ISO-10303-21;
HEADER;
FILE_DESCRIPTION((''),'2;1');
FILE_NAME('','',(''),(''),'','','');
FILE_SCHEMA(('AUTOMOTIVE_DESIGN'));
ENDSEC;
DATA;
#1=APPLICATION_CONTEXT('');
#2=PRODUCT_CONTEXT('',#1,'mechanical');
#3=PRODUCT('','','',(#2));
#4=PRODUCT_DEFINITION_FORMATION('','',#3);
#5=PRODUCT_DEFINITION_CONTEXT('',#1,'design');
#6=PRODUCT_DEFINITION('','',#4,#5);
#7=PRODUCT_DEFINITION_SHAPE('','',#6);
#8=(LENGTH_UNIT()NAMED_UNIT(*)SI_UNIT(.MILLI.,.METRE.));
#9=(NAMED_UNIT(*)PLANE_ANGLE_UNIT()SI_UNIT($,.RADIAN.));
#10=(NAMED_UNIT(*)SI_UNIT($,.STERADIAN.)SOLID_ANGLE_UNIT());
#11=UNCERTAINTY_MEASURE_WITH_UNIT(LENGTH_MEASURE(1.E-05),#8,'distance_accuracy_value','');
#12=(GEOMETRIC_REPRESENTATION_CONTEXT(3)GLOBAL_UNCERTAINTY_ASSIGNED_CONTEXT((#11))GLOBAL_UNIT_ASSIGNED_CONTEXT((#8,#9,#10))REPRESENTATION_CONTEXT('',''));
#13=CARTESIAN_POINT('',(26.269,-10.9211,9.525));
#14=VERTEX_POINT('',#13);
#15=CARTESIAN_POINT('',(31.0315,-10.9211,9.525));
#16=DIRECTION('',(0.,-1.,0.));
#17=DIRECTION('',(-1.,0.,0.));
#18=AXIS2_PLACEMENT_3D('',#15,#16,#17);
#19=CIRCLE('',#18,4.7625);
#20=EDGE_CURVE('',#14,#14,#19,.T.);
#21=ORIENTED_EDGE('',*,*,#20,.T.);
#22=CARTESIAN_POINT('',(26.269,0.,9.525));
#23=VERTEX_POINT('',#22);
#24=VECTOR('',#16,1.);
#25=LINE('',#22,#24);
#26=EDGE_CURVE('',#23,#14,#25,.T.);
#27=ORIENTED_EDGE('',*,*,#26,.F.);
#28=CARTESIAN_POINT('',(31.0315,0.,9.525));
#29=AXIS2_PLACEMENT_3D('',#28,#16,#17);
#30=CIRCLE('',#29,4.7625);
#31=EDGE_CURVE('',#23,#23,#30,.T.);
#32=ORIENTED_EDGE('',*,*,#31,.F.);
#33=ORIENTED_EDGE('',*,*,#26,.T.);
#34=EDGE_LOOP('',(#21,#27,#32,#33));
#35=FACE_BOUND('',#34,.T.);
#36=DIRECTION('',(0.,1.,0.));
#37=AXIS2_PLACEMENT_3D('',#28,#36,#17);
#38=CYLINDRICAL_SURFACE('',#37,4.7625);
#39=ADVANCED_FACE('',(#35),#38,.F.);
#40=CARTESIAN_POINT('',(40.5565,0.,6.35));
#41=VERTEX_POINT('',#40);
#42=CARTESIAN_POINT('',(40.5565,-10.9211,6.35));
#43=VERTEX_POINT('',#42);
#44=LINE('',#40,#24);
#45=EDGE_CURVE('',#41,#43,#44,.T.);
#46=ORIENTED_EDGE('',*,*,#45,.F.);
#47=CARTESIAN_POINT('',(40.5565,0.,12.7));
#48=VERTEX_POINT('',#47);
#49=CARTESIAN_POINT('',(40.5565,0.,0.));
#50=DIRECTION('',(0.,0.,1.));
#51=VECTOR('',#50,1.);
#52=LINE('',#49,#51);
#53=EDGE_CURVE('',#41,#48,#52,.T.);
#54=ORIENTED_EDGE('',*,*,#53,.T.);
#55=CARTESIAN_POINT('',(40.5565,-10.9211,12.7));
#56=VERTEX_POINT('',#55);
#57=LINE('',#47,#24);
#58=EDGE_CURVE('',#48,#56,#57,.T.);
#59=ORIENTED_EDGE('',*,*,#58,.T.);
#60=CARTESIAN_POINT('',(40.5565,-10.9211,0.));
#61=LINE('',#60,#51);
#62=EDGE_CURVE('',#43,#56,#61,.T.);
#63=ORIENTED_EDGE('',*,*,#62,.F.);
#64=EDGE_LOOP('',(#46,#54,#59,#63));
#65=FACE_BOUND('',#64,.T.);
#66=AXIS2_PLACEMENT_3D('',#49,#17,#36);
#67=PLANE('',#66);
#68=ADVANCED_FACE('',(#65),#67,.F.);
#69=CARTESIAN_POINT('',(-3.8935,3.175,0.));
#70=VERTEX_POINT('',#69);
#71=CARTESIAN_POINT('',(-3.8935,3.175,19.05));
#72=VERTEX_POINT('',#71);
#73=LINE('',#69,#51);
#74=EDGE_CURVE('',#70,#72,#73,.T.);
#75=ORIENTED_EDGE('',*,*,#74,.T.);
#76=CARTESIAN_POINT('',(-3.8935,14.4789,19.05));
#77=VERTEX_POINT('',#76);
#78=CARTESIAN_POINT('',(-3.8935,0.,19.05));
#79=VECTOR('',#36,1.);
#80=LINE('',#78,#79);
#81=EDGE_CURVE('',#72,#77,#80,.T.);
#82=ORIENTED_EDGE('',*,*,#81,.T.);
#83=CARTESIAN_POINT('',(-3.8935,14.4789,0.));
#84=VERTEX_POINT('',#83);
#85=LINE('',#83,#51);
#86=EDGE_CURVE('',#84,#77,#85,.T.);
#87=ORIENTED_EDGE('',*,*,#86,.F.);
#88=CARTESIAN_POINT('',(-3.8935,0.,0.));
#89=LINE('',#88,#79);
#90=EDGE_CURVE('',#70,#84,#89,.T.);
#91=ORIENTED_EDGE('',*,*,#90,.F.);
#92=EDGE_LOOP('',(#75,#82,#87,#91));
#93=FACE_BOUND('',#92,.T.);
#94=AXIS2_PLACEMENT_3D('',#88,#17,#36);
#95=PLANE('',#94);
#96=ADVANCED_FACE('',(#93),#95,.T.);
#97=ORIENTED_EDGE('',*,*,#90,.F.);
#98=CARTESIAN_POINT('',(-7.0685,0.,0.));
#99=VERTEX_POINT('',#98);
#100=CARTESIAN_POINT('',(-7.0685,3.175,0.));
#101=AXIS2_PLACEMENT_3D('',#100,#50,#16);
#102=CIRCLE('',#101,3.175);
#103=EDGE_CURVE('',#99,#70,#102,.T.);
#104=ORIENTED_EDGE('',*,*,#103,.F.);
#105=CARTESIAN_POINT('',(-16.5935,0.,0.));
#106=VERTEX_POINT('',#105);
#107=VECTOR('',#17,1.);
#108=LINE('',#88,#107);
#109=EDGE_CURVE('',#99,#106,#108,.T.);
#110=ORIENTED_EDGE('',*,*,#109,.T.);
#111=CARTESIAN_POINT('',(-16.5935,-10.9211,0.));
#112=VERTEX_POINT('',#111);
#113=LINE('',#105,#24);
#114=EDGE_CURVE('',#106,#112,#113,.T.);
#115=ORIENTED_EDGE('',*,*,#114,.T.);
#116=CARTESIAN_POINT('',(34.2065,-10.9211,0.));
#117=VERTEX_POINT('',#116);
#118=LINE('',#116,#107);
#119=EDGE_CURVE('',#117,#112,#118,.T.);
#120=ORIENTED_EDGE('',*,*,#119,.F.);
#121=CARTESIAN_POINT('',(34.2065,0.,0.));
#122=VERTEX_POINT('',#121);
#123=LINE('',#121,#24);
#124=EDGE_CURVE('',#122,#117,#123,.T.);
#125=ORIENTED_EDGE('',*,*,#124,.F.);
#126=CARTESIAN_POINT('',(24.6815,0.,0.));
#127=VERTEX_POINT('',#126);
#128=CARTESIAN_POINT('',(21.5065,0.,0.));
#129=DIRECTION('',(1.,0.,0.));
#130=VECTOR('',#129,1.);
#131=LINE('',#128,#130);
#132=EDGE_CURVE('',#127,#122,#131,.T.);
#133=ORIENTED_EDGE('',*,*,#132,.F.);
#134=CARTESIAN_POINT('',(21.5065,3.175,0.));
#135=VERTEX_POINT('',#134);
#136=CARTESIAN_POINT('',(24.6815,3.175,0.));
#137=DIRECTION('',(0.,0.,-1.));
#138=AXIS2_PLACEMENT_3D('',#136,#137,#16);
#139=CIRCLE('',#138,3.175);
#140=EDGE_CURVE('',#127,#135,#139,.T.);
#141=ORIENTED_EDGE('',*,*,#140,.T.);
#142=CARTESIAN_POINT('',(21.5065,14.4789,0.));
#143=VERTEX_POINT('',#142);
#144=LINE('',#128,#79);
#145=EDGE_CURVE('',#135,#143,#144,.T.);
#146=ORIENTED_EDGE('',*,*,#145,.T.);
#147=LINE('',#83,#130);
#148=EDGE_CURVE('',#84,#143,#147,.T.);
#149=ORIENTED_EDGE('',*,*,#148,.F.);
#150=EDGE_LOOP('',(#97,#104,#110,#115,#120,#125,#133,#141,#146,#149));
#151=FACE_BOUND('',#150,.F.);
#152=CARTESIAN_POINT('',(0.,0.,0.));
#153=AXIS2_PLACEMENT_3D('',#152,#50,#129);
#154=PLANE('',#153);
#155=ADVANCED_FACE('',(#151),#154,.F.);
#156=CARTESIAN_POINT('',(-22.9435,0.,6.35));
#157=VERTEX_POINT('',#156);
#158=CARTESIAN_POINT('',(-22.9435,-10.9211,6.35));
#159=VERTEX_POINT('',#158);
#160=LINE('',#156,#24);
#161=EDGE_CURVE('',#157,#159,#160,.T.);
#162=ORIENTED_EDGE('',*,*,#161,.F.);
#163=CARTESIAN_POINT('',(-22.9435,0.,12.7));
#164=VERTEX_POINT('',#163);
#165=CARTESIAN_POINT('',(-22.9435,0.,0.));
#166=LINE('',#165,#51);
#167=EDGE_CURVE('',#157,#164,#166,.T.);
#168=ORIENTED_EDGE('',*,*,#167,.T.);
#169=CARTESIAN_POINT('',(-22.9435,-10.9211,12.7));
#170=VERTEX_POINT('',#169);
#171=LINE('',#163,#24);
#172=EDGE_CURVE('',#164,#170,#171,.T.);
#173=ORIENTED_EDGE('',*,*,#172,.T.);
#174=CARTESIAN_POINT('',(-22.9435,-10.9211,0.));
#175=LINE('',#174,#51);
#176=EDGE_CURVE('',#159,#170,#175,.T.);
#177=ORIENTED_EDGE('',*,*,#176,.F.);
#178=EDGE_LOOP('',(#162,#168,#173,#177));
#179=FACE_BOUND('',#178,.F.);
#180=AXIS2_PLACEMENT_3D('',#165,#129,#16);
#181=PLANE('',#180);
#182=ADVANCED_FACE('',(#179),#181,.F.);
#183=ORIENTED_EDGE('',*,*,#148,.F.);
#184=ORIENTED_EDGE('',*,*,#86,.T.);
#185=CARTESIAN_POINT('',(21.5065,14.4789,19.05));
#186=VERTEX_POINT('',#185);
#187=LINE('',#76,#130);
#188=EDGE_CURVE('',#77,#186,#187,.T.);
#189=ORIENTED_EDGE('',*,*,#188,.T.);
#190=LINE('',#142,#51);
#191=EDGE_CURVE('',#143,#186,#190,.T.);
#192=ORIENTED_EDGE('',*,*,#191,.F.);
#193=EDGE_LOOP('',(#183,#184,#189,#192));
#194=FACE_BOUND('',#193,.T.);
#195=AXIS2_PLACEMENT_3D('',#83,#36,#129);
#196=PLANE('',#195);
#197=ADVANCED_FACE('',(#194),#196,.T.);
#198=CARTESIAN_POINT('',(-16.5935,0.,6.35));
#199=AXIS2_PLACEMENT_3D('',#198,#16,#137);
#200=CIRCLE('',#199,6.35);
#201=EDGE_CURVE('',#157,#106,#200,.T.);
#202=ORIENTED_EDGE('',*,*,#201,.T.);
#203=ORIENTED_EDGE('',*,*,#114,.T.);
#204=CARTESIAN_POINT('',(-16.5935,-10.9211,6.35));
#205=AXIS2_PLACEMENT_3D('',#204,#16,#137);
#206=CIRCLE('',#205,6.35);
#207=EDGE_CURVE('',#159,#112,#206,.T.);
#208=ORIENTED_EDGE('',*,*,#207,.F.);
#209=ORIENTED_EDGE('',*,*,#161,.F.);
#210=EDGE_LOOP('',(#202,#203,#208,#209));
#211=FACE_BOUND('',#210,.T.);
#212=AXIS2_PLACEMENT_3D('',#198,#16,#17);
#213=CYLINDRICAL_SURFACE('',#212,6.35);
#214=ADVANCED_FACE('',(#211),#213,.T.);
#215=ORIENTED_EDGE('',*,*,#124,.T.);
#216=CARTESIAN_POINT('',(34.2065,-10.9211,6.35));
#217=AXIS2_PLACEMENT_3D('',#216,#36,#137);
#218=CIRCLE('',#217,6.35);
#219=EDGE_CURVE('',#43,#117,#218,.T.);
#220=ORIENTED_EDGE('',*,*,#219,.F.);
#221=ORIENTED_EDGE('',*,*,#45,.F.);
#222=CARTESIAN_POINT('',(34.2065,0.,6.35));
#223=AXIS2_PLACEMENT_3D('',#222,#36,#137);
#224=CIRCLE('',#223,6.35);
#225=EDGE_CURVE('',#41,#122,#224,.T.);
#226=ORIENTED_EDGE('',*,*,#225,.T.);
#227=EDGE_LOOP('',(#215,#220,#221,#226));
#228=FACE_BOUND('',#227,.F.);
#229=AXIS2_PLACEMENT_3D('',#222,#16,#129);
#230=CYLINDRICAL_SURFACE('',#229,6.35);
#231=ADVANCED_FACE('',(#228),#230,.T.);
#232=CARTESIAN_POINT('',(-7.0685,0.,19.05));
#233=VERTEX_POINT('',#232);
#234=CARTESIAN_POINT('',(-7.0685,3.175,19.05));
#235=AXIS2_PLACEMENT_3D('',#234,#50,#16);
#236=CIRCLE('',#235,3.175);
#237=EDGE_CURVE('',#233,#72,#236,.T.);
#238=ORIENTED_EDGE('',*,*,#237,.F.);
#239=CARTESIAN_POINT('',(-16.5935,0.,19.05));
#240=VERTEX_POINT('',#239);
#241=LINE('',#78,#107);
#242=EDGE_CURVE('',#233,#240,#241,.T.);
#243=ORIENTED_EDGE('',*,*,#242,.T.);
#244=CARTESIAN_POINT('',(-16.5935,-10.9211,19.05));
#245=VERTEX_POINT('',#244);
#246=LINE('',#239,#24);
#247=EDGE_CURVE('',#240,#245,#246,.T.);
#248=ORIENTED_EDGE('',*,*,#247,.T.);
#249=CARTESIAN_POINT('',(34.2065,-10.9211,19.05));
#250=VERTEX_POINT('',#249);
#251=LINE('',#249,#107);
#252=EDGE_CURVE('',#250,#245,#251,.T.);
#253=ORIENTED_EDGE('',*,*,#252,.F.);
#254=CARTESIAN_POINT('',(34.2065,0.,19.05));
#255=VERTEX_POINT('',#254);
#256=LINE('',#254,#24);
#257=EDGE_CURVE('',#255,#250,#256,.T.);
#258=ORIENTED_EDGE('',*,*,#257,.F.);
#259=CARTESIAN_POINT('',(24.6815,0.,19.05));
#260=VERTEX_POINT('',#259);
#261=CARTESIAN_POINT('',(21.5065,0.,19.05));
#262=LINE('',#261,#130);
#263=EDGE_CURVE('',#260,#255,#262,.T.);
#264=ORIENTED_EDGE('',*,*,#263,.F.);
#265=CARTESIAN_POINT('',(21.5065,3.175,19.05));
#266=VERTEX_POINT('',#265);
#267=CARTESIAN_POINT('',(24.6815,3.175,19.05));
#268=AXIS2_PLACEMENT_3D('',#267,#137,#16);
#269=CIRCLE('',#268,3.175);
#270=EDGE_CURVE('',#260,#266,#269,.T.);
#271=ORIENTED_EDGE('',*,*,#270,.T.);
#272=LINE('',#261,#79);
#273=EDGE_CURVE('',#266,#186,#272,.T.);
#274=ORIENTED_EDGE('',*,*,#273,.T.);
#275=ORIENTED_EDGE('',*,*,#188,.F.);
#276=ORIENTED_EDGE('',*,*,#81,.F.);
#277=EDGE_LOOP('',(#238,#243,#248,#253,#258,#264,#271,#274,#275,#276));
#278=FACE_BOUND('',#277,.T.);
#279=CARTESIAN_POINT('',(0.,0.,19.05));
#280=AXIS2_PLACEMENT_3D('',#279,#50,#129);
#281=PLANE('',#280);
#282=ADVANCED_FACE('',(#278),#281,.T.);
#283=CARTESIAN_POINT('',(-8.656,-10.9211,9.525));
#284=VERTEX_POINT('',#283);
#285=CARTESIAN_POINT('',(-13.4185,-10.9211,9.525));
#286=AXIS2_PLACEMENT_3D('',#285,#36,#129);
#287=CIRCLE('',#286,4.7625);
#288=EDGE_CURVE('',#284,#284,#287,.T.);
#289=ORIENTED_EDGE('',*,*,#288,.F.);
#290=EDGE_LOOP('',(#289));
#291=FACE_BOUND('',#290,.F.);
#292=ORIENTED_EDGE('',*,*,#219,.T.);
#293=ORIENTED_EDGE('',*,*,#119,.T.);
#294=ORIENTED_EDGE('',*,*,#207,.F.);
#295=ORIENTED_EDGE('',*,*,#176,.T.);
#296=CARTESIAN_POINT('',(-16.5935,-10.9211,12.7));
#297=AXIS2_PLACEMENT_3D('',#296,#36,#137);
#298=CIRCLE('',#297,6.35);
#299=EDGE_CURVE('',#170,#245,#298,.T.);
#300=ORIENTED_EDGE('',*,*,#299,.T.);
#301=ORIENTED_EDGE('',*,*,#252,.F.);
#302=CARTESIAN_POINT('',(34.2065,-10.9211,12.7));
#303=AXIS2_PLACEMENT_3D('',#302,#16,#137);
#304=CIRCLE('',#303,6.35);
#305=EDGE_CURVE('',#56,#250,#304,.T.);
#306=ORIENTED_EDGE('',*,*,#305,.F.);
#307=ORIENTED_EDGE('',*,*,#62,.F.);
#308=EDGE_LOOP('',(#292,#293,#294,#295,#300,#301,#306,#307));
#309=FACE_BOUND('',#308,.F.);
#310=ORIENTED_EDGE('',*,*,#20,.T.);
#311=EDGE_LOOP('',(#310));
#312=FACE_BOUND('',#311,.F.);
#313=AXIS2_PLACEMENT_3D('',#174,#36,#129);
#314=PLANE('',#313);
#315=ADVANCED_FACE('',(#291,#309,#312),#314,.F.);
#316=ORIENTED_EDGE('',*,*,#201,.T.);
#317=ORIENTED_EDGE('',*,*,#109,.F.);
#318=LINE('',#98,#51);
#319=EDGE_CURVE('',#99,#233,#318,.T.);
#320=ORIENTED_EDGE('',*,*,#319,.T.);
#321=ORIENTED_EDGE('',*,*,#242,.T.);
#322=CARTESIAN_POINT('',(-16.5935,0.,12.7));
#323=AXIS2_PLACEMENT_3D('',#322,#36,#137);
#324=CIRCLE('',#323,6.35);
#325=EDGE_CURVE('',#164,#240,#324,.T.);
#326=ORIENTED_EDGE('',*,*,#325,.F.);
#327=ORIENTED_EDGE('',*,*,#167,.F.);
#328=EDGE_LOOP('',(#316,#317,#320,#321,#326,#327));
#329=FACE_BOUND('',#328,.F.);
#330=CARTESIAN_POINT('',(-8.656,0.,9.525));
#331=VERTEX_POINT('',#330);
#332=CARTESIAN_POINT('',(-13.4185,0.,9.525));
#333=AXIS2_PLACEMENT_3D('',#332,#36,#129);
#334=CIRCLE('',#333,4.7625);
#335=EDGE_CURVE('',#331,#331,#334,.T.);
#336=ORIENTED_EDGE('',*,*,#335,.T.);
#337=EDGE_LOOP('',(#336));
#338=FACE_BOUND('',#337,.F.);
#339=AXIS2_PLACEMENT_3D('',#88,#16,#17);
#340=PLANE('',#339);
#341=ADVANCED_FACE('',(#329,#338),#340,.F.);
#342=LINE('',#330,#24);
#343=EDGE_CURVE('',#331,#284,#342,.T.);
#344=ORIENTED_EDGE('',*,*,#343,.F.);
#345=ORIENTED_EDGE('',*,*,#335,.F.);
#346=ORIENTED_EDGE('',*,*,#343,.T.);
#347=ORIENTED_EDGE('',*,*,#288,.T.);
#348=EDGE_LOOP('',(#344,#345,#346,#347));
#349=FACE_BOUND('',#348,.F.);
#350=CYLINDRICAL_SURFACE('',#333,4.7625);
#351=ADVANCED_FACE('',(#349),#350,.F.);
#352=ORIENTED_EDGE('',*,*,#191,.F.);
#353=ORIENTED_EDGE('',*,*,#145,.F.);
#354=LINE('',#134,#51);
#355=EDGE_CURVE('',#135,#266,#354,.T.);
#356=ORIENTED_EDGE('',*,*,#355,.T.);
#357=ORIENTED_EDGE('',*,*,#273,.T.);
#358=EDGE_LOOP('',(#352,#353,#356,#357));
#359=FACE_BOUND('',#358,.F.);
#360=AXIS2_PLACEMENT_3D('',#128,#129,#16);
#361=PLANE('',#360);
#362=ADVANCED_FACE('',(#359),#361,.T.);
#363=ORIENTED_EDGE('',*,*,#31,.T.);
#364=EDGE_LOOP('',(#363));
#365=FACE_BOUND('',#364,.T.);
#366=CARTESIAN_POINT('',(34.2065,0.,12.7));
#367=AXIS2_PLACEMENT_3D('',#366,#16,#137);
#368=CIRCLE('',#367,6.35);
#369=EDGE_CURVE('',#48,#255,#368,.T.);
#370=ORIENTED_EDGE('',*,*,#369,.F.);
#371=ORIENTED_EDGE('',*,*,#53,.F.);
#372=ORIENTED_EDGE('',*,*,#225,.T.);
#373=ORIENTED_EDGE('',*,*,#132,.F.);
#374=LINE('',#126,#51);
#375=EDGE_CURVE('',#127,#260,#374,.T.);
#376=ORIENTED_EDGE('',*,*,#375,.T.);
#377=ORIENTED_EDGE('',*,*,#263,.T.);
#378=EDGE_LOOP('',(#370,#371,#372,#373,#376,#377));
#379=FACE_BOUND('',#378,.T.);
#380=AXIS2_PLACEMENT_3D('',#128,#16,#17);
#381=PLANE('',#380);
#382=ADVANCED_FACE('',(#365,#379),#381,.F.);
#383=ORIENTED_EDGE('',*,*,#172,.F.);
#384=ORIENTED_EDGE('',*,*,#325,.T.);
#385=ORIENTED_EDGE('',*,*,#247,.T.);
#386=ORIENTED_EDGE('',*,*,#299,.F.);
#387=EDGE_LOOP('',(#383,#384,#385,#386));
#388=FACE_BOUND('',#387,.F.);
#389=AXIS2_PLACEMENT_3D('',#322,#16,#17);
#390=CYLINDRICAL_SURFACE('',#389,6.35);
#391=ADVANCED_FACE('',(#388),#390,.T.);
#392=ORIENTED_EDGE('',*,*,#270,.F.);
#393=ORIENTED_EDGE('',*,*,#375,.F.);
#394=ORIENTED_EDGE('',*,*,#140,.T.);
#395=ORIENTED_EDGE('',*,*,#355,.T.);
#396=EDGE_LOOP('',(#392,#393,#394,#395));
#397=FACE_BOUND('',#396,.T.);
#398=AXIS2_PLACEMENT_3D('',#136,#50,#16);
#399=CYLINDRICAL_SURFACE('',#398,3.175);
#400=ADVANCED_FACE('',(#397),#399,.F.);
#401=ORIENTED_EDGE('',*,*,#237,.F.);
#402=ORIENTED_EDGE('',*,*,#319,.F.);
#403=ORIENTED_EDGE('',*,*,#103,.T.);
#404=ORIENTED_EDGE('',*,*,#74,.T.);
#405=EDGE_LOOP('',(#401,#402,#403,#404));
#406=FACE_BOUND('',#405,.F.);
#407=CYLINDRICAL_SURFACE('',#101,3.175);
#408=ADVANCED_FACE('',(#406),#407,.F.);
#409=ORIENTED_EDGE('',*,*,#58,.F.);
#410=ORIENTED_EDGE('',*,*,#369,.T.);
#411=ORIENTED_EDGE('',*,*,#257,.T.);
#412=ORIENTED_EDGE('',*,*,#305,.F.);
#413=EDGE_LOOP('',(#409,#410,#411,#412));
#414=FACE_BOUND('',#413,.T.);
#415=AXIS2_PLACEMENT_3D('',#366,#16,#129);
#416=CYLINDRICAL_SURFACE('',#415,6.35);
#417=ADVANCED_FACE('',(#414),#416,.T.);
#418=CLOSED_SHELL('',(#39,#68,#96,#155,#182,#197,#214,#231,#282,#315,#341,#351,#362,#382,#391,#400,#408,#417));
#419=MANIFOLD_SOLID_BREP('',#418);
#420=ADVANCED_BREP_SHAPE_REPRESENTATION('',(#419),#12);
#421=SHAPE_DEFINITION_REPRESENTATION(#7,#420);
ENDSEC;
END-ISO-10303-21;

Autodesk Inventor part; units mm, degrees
ref_plane "YZ Plane" through (0, 0, 0) normal (1, 0, 0) x (0, 1, 0)
ref_plane "XZ Plane" through (0, 0, 0) normal (0, 1, 0) x (-1, 0, 0)
ref_plane "XY Plane" through (0, 0, 0) normal (0, 0, 1) x (1, 0, 0)
sketch "Sketch1" plane through (0, 0, 0) normal (0, 0, 1) x (1, 0, 0)
  point P0 (0, 0)
sketch "Sketch2" plane through (0, 0, 0) normal (0, 0, 1) x (1, 0, 0)
  line L0 (-3.8935, 14.4789) -> (8.8065, 14.4789)
  line L1 (8.8065, 14.4789) -> (8.8065, -10.9211)
  line L2 (8.8065, -10.9211) -> (-3.8935, -10.9211)
  line L3 (-3.8935, 0) -> (-3.8935, 14.4789)
  line L4 (-3.8935, 0) -> (-22.9435, 0)
  line L5 (-22.9435, 0) -> (-22.9435, -10.9211)
  line L6 (-22.9435, -10.9211) -> (-3.8935, -10.9211)
  point P0 (0, 0)
  dimension "d1" = 25.4
extrude "Extrusion1" add sketch "Sketch2" along normal blind 19.05
fillet "Fillet1" radius 6.35 2 edges at (-22.9435, -5.4605, 0) (-22.9435, -5.4605, 19.05)
fillet "Fillet2" radius 3.175 1 edges at (-3.8935, 0, 9.525)
sketch "Sketch3" plane through (-22.9435, 0, 12.7) normal (0, 1, 0) x (1, 0, 0)
  circle A0 centre (9.525, 3.175) radius 4.7625
  line L0 (0, 6.35) -> (0, 0) projected
  line L1 (15.875, -6.35) -> (6.35, -6.35) projected
  point P0 (22.9435, 12.7)
  dimension "d7" = 9.525
  dimension "d8" = 9.525
  dimension "d9" = 9.525
extrude "Extrusion2" cut sketch "Sketch3" against normal through all
mirror "Mirror1" about plane through (8.8065, -10.9211, 0) normal (1, 0, 0)
properties part number "5.5bFeatureApplication"
